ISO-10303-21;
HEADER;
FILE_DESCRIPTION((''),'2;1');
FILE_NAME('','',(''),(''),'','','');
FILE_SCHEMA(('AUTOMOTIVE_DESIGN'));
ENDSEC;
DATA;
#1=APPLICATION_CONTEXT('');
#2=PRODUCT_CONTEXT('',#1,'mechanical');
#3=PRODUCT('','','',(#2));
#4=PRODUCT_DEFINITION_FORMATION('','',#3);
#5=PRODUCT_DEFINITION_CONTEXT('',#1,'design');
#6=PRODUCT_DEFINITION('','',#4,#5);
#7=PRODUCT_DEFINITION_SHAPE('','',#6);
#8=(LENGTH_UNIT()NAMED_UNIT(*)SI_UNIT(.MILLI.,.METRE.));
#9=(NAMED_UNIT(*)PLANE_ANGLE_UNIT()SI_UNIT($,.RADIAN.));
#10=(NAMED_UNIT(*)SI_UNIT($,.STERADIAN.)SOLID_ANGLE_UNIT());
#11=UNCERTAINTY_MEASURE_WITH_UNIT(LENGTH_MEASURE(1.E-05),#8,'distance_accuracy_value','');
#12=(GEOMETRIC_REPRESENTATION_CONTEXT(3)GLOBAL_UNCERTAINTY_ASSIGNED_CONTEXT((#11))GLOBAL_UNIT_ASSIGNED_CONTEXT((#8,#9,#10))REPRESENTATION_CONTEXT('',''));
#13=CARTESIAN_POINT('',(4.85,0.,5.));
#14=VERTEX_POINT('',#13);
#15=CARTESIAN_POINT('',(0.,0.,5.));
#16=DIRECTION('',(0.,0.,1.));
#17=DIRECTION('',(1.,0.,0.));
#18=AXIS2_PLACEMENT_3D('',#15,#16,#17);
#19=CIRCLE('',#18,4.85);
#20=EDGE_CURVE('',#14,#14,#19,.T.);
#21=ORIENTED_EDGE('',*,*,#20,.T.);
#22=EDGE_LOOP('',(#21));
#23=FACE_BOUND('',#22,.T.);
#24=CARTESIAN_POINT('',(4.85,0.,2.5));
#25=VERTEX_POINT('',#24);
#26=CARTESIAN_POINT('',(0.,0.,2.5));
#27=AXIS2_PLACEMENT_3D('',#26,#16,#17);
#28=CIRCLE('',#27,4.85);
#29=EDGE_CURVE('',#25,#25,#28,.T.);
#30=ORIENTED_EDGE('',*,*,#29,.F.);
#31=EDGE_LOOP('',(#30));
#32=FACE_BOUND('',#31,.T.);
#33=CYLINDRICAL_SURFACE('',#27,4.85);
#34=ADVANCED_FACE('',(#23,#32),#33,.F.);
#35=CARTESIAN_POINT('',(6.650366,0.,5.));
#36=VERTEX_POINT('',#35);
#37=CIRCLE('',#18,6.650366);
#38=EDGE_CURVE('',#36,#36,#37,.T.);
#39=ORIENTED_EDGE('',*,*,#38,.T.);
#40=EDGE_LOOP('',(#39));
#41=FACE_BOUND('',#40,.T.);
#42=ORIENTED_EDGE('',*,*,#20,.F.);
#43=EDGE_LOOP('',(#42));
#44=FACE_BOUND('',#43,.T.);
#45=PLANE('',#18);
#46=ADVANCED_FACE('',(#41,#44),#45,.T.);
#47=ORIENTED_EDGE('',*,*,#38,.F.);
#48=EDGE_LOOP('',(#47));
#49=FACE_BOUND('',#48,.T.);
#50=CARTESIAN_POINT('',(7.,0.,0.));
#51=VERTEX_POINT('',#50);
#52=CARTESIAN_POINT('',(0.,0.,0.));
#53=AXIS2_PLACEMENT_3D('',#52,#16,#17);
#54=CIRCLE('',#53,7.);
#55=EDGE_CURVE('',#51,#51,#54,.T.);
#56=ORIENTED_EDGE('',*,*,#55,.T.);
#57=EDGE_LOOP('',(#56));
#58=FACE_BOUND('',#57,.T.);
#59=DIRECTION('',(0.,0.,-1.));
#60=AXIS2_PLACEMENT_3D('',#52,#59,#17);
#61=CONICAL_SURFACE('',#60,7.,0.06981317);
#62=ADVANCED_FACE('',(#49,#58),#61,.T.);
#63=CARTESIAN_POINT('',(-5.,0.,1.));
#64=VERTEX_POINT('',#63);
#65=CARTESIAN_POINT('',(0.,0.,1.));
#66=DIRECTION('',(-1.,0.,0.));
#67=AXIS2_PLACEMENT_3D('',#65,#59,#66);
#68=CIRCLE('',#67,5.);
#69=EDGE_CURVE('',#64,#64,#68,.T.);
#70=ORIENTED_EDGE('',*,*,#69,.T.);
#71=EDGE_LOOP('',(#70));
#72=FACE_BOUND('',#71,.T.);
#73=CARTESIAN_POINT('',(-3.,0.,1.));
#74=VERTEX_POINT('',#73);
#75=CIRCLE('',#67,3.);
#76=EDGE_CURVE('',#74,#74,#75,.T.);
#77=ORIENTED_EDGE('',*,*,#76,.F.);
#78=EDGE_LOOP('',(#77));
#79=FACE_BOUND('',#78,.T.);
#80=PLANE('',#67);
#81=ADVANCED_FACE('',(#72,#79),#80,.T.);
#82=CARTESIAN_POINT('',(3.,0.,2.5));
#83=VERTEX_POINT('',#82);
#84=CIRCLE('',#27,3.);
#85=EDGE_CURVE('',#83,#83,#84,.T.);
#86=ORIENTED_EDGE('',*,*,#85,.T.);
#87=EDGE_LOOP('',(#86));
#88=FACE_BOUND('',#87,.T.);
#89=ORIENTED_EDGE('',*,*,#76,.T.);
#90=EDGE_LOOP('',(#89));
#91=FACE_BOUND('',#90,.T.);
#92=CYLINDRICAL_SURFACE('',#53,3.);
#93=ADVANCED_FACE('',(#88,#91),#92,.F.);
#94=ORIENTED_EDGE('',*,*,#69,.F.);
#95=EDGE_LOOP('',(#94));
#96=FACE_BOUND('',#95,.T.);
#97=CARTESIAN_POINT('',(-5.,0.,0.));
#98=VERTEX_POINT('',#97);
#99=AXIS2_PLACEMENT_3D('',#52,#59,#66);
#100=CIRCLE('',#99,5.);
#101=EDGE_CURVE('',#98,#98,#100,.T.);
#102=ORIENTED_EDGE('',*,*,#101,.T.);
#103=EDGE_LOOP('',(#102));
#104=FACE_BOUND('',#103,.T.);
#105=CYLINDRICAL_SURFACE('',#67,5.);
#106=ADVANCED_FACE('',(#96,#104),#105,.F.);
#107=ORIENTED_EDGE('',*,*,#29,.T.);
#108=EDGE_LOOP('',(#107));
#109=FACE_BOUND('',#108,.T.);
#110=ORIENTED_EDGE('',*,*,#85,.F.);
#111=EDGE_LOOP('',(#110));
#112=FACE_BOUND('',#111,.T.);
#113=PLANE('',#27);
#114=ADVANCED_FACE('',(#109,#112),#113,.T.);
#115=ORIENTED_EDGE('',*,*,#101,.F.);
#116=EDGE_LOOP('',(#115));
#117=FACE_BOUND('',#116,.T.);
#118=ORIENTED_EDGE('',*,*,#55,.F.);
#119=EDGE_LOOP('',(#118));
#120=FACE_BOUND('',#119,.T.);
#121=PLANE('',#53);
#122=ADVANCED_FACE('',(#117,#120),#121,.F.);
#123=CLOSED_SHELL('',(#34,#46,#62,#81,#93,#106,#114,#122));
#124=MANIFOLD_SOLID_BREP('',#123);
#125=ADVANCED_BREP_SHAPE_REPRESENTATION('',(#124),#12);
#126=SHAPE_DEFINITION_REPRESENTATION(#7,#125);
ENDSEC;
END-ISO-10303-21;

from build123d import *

# Parameters (mm, degrees)
SKETCH_1_R               = 7
EXTRUDE_1_DEPTH          = 5
EXTRUDE_1_TAPER          = 4
SKETCH_3_R               = 5
CUT_EXTRUDE_1_DEPTH      = 1
SKETCH_4_R               = 4.85
CUT_EXTRUDE_2_DEPTH      = 2.5
CUT_EXTRUDE_3_DEPTH      = 11.210288928
CUT_EXTRUDE_3_DEPTH_BACK = 11.210288928
SKETCH_5_R               = 3


with BuildPart() as part:
    # Эскиз1 → Бобышка-Вытянуть1 (new body)
    with BuildSketch(Plane.XY):
        Circle(SKETCH_1_R)
    extrude(amount=EXTRUDE_1_DEPTH, taper=EXTRUDE_1_TAPER)

    # Эскиз3 → Вырез-Вытянуть1 (cut)
    with BuildSketch(Plane(origin=(0, 0, 0), x_dir=(-1, 0, 0), z_dir=(0, 0, -1))):
        Circle(SKETCH_3_R)
    extrude(amount=-CUT_EXTRUDE_1_DEPTH, mode=Mode.SUBTRACT)

    # Эскиз4 → Вырез-Вытянуть2 (cut)
    with BuildSketch(Plane.XY.offset(5)):
        Circle(SKETCH_4_R)
    extrude(amount=-CUT_EXTRUDE_2_DEPTH, mode=Mode.SUBTRACT)

    # Эскиз5 → Вырез-Вытянуть3 (cut, two sides: drawn at the far end of the back side and taken through both)
    with BuildSketch(Plane.XY.offset(2.5).offset(-CUT_EXTRUDE_3_DEPTH_BACK)):
        Circle(SKETCH_5_R)
    extrude(amount=CUT_EXTRUDE_3_DEPTH + CUT_EXTRUDE_3_DEPTH_BACK, mode=Mode.SUBTRACT)


solid = part.part
